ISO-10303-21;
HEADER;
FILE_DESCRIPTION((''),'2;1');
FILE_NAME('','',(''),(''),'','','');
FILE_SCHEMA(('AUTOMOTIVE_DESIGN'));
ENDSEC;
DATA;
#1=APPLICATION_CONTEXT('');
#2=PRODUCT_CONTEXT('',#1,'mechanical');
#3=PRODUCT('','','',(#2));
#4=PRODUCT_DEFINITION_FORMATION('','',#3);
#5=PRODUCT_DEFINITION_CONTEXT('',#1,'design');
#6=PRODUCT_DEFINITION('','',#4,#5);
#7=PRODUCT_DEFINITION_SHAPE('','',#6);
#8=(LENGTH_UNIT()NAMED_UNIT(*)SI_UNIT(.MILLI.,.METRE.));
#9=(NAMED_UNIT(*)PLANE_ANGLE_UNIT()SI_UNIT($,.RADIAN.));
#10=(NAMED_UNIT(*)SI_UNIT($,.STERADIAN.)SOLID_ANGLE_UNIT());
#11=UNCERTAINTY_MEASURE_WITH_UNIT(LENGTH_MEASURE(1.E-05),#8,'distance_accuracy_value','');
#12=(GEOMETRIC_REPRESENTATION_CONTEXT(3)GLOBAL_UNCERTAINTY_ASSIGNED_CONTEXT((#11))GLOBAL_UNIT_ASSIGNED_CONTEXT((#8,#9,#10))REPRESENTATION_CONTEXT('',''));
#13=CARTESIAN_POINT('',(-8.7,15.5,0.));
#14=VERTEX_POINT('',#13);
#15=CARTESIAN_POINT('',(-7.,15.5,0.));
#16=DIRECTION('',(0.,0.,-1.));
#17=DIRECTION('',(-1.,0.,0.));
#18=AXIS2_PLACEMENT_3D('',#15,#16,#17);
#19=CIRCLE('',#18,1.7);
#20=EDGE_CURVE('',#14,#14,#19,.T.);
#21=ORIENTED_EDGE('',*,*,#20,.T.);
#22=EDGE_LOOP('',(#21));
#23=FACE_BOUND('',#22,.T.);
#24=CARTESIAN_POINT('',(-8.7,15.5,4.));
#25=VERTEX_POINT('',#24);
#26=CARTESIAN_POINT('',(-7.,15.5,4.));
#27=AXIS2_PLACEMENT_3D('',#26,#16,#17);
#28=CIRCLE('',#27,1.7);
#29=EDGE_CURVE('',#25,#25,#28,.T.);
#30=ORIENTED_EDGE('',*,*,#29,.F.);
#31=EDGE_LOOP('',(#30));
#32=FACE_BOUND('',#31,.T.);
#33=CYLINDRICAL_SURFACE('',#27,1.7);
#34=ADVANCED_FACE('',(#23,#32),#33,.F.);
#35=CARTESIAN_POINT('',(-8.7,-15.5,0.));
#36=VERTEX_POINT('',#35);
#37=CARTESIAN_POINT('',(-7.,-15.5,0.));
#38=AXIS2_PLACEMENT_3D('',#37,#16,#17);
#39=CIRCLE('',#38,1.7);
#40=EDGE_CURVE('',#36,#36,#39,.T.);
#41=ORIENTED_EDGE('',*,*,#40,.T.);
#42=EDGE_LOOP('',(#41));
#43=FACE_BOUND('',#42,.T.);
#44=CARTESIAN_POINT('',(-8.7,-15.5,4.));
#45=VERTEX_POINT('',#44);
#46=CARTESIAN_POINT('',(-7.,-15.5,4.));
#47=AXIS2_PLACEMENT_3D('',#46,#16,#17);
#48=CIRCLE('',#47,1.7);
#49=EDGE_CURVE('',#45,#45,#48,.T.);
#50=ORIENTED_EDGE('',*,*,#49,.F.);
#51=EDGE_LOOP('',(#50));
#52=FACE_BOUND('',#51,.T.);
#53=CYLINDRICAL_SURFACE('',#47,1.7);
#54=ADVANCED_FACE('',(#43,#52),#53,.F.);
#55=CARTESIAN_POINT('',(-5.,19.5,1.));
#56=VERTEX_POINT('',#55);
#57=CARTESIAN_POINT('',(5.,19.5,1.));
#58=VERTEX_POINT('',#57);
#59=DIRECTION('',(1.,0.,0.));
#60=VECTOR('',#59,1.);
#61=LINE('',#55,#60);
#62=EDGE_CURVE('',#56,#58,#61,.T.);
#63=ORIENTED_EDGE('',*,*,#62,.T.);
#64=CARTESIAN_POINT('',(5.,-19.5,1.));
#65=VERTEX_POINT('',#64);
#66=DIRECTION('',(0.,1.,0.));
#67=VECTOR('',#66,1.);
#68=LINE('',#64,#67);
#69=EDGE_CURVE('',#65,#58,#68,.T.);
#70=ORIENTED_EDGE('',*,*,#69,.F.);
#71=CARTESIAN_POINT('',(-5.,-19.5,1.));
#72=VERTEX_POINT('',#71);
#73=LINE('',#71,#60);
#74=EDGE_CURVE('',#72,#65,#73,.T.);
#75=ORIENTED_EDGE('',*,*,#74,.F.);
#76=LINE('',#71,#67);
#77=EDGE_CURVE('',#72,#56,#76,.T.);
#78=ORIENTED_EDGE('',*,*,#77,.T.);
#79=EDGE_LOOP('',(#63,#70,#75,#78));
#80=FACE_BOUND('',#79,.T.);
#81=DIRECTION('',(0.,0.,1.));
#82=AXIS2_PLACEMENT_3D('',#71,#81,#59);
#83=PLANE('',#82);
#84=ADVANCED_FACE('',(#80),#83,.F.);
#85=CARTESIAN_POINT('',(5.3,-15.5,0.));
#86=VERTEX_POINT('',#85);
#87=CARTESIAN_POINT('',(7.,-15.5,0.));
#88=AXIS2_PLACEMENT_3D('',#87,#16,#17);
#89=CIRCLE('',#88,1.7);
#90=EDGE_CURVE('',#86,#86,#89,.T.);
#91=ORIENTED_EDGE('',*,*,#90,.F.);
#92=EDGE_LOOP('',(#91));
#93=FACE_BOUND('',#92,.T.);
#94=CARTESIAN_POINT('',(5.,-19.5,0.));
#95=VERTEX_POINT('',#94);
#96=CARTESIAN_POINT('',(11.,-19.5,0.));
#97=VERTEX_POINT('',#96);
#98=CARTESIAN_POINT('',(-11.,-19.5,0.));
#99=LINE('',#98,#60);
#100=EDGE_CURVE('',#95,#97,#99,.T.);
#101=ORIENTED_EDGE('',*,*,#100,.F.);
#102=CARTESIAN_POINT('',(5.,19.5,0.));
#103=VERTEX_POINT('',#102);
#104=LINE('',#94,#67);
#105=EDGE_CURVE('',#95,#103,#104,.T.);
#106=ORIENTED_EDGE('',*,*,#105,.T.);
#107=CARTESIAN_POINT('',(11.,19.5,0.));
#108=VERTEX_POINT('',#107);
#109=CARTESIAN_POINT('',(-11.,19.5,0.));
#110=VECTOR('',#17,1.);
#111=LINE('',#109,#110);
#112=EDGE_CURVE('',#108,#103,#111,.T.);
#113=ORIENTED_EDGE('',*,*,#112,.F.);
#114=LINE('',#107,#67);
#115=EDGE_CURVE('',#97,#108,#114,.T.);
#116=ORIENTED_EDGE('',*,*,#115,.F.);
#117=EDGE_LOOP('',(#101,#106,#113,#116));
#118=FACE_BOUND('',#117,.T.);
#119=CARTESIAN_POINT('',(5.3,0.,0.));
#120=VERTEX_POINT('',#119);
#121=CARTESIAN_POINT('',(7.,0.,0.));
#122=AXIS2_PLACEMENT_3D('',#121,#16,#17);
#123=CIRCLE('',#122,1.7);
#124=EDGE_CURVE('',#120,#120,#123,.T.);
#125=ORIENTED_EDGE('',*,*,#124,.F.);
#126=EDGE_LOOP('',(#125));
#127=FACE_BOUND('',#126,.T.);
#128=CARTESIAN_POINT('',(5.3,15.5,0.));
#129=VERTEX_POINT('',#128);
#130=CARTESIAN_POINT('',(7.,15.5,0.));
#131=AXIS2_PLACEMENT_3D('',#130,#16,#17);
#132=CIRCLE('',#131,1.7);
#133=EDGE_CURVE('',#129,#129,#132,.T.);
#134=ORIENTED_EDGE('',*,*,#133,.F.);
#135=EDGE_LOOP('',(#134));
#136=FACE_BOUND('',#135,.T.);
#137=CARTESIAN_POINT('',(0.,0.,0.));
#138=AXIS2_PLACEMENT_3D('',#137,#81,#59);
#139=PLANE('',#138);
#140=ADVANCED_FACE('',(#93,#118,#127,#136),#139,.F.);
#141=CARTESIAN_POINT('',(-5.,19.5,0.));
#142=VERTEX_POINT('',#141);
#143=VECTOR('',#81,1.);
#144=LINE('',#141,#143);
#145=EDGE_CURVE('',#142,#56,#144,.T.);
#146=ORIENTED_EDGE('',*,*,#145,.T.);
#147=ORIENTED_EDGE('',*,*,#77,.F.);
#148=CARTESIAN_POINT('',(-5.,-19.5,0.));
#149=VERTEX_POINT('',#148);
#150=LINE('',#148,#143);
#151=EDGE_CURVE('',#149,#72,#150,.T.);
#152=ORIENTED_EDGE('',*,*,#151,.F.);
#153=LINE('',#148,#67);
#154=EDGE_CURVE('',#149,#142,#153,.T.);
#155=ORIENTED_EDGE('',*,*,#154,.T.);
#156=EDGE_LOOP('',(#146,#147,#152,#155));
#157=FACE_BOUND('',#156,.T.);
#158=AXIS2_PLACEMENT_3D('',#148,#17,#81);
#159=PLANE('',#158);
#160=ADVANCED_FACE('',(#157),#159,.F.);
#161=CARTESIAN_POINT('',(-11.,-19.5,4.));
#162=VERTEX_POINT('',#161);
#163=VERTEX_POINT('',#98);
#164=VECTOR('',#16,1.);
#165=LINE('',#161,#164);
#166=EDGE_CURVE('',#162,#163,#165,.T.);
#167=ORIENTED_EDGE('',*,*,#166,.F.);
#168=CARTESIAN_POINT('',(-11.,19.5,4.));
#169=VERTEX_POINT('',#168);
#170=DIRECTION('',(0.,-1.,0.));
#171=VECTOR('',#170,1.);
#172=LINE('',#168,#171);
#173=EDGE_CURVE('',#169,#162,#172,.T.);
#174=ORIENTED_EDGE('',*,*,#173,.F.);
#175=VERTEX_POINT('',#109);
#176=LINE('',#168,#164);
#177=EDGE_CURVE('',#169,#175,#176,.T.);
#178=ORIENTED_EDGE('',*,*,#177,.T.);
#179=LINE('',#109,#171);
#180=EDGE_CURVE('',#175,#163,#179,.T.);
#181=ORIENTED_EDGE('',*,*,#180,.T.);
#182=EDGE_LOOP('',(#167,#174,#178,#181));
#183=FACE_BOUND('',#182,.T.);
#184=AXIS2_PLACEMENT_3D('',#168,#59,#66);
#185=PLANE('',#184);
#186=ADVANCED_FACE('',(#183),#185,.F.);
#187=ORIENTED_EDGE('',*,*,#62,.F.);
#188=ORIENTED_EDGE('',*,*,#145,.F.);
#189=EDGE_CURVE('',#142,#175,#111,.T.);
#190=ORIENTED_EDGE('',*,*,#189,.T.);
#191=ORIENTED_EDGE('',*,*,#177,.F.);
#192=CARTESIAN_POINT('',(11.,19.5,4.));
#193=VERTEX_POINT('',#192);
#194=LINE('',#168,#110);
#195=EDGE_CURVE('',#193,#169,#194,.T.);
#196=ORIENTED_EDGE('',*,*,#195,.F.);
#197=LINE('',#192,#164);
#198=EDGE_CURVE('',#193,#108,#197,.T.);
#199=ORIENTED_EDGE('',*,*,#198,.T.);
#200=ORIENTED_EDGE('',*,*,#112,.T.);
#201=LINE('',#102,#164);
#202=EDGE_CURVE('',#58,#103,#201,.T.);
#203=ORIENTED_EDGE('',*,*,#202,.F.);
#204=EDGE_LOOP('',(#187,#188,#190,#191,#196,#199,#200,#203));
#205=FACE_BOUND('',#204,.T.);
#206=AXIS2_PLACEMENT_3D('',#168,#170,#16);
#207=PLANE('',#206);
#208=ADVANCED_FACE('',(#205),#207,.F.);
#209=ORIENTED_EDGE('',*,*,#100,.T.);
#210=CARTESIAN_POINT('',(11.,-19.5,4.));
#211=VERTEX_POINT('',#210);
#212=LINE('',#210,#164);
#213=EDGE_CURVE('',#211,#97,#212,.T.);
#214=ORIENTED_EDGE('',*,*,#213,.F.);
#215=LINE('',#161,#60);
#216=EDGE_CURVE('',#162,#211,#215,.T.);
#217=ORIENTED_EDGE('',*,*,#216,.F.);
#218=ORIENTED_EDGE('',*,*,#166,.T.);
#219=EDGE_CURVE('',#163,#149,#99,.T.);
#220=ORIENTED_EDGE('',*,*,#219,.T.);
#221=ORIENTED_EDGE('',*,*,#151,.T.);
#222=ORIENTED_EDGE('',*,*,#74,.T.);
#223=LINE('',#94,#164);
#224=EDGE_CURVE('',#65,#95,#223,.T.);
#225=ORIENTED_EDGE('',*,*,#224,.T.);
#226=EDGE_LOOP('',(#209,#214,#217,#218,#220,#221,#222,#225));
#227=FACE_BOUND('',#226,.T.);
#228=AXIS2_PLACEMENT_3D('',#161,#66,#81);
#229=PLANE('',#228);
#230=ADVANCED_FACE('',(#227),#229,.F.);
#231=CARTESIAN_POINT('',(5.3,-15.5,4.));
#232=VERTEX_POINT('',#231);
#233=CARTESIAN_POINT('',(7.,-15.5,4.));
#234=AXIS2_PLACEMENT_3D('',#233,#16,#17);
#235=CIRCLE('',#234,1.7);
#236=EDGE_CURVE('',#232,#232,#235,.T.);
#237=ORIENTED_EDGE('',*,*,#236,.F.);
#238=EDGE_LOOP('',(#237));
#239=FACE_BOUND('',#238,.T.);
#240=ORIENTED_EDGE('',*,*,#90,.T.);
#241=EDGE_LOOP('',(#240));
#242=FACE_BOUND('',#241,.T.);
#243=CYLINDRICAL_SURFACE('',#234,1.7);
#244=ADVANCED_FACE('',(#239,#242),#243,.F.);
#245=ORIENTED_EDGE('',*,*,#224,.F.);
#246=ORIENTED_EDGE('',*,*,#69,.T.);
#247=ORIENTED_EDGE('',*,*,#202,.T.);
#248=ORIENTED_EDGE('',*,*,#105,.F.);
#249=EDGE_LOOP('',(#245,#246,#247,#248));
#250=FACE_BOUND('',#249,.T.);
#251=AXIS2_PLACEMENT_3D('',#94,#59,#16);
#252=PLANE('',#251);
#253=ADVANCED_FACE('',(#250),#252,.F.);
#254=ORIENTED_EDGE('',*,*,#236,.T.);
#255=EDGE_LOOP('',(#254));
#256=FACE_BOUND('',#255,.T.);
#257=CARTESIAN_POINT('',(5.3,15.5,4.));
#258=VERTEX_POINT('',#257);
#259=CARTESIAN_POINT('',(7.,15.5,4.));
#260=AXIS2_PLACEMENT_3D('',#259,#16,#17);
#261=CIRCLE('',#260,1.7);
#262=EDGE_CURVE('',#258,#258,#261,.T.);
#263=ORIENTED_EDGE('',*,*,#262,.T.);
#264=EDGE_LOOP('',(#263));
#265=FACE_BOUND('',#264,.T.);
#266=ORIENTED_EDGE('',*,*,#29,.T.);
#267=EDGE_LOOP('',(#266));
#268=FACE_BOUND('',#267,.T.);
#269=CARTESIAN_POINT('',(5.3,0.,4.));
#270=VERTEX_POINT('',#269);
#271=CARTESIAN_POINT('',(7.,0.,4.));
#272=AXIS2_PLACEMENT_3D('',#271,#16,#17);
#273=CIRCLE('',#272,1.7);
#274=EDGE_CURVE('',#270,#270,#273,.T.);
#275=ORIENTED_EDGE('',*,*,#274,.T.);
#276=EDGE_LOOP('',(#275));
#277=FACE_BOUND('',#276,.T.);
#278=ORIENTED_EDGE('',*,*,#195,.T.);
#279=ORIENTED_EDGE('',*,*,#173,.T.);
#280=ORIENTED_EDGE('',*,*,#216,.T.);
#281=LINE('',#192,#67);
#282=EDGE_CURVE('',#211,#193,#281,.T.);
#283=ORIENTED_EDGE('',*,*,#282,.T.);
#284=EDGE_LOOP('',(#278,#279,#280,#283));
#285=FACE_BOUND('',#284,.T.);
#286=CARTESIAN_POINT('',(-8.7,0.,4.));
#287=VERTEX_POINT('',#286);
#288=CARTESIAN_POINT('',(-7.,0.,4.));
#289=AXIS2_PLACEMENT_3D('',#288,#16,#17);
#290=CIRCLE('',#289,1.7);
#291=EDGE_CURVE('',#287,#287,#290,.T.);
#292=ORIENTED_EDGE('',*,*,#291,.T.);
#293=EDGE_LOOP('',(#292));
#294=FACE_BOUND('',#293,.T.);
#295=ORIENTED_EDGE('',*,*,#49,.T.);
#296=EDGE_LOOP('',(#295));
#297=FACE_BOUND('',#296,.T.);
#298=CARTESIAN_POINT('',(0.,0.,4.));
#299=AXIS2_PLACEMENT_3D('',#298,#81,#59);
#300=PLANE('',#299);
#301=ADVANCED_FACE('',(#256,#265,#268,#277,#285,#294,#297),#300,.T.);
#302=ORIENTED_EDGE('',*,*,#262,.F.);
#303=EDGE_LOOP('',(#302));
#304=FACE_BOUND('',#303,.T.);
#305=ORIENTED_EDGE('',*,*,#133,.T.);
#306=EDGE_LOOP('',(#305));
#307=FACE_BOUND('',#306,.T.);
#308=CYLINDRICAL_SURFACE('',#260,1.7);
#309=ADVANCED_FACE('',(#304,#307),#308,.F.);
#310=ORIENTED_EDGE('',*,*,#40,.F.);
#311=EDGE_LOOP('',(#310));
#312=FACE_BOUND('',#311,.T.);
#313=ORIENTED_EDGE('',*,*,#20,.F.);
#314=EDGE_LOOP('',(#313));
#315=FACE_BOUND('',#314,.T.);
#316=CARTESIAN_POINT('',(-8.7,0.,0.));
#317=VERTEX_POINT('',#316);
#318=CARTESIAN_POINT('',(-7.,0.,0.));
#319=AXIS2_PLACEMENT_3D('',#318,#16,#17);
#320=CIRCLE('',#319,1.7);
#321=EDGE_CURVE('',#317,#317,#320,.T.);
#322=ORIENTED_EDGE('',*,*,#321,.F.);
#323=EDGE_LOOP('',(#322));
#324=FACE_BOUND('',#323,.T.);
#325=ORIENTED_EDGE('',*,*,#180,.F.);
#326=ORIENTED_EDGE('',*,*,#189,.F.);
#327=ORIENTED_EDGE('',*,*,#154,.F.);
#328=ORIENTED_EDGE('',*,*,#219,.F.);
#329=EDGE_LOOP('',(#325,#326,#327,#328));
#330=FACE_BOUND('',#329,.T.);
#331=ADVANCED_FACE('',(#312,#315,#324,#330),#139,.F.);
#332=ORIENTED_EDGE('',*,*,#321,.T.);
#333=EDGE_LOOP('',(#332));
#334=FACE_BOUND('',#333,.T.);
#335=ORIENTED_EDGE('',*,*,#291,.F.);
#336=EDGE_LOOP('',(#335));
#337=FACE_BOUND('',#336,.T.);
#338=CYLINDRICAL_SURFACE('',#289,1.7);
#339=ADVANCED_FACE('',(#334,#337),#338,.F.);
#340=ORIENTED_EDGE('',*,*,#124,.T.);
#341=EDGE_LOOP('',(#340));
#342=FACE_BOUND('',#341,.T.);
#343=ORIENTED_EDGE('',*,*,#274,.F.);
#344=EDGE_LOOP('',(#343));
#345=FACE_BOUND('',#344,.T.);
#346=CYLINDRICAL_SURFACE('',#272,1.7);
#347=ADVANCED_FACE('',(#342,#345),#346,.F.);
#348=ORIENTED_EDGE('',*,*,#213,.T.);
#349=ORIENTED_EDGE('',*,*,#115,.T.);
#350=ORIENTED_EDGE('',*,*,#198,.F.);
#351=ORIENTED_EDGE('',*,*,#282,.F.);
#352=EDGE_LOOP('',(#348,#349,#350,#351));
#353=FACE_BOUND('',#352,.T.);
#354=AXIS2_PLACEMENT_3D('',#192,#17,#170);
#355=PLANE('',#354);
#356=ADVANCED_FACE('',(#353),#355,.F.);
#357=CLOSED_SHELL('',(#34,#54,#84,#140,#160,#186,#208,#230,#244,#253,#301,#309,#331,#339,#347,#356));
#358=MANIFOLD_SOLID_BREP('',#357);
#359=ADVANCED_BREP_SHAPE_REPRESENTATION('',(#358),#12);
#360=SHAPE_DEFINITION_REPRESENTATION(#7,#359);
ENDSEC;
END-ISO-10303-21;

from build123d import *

# Parameters (mm, degrees)
SKETCH_1_W                  = 22
SKETCH_1_H                  = 39
EXTRUDE_1_DEPTH             = 4
SKETCH_2_W                  = 10
SKETCH_2_H                  = 1
CUT_EXTRUDE_1_DEPTH         = 40
SKETCH_3_R                  = 1.7
CUT_EXTRUDE_2_DEPTH         = 5
PATTERN_LINEAR_1_COUNT      = 2
PATTERN_LINEAR_1_PITCH      = 14
PATTERN_LINEAR_1_COUNT_DIR2 = 3
PATTERN_LINEAR_1_PITCH_DIR2 = 15.5


with BuildPart() as part:
    # 草圖1 → 填料-伸長1 (new body)
    with BuildSketch(Plane.XY):
        Rectangle(SKETCH_1_W, SKETCH_1_H)
    extrude(amount=EXTRUDE_1_DEPTH)

    # 草圖2 → 除料-伸長1 (cut, through all)
    with BuildSketch(Plane(origin=(0, 19.5, 0), x_dir=(1, 0, 0), z_dir=(0, 1, 0))):
        with Locations((0, -0.5)):
            Rectangle(SKETCH_2_W, SKETCH_2_H)
    extrude(amount=-CUT_EXTRUDE_1_DEPTH, mode=Mode.SUBTRACT)

    # 草圖3 → 除料-伸長2 (cut, through all)
    with BuildSketch(Plane(origin=(0, 0, 0), x_dir=(-1, 0, 0), z_dir=(0, 0, -1))):
        with Locations((-7, 15.5)):
            Circle(SKETCH_3_R)
    cut_extrude_2 = extrude(amount=-CUT_EXTRUDE_2_DEPTH, mode=Mode.SUBTRACT)

    # 直線複製排列1: Cut-Extrude 2 2 × 3
    with Locations(*[(-i * PATTERN_LINEAR_1_PITCH, -j * PATTERN_LINEAR_1_PITCH_DIR2, 0) for i in range(PATTERN_LINEAR_1_COUNT) for j in range(PATTERN_LINEAR_1_COUNT_DIR2) if (i, j) != (0, 0)]):
        add(cut_extrude_2, mode=Mode.SUBTRACT)


solid = part.part
